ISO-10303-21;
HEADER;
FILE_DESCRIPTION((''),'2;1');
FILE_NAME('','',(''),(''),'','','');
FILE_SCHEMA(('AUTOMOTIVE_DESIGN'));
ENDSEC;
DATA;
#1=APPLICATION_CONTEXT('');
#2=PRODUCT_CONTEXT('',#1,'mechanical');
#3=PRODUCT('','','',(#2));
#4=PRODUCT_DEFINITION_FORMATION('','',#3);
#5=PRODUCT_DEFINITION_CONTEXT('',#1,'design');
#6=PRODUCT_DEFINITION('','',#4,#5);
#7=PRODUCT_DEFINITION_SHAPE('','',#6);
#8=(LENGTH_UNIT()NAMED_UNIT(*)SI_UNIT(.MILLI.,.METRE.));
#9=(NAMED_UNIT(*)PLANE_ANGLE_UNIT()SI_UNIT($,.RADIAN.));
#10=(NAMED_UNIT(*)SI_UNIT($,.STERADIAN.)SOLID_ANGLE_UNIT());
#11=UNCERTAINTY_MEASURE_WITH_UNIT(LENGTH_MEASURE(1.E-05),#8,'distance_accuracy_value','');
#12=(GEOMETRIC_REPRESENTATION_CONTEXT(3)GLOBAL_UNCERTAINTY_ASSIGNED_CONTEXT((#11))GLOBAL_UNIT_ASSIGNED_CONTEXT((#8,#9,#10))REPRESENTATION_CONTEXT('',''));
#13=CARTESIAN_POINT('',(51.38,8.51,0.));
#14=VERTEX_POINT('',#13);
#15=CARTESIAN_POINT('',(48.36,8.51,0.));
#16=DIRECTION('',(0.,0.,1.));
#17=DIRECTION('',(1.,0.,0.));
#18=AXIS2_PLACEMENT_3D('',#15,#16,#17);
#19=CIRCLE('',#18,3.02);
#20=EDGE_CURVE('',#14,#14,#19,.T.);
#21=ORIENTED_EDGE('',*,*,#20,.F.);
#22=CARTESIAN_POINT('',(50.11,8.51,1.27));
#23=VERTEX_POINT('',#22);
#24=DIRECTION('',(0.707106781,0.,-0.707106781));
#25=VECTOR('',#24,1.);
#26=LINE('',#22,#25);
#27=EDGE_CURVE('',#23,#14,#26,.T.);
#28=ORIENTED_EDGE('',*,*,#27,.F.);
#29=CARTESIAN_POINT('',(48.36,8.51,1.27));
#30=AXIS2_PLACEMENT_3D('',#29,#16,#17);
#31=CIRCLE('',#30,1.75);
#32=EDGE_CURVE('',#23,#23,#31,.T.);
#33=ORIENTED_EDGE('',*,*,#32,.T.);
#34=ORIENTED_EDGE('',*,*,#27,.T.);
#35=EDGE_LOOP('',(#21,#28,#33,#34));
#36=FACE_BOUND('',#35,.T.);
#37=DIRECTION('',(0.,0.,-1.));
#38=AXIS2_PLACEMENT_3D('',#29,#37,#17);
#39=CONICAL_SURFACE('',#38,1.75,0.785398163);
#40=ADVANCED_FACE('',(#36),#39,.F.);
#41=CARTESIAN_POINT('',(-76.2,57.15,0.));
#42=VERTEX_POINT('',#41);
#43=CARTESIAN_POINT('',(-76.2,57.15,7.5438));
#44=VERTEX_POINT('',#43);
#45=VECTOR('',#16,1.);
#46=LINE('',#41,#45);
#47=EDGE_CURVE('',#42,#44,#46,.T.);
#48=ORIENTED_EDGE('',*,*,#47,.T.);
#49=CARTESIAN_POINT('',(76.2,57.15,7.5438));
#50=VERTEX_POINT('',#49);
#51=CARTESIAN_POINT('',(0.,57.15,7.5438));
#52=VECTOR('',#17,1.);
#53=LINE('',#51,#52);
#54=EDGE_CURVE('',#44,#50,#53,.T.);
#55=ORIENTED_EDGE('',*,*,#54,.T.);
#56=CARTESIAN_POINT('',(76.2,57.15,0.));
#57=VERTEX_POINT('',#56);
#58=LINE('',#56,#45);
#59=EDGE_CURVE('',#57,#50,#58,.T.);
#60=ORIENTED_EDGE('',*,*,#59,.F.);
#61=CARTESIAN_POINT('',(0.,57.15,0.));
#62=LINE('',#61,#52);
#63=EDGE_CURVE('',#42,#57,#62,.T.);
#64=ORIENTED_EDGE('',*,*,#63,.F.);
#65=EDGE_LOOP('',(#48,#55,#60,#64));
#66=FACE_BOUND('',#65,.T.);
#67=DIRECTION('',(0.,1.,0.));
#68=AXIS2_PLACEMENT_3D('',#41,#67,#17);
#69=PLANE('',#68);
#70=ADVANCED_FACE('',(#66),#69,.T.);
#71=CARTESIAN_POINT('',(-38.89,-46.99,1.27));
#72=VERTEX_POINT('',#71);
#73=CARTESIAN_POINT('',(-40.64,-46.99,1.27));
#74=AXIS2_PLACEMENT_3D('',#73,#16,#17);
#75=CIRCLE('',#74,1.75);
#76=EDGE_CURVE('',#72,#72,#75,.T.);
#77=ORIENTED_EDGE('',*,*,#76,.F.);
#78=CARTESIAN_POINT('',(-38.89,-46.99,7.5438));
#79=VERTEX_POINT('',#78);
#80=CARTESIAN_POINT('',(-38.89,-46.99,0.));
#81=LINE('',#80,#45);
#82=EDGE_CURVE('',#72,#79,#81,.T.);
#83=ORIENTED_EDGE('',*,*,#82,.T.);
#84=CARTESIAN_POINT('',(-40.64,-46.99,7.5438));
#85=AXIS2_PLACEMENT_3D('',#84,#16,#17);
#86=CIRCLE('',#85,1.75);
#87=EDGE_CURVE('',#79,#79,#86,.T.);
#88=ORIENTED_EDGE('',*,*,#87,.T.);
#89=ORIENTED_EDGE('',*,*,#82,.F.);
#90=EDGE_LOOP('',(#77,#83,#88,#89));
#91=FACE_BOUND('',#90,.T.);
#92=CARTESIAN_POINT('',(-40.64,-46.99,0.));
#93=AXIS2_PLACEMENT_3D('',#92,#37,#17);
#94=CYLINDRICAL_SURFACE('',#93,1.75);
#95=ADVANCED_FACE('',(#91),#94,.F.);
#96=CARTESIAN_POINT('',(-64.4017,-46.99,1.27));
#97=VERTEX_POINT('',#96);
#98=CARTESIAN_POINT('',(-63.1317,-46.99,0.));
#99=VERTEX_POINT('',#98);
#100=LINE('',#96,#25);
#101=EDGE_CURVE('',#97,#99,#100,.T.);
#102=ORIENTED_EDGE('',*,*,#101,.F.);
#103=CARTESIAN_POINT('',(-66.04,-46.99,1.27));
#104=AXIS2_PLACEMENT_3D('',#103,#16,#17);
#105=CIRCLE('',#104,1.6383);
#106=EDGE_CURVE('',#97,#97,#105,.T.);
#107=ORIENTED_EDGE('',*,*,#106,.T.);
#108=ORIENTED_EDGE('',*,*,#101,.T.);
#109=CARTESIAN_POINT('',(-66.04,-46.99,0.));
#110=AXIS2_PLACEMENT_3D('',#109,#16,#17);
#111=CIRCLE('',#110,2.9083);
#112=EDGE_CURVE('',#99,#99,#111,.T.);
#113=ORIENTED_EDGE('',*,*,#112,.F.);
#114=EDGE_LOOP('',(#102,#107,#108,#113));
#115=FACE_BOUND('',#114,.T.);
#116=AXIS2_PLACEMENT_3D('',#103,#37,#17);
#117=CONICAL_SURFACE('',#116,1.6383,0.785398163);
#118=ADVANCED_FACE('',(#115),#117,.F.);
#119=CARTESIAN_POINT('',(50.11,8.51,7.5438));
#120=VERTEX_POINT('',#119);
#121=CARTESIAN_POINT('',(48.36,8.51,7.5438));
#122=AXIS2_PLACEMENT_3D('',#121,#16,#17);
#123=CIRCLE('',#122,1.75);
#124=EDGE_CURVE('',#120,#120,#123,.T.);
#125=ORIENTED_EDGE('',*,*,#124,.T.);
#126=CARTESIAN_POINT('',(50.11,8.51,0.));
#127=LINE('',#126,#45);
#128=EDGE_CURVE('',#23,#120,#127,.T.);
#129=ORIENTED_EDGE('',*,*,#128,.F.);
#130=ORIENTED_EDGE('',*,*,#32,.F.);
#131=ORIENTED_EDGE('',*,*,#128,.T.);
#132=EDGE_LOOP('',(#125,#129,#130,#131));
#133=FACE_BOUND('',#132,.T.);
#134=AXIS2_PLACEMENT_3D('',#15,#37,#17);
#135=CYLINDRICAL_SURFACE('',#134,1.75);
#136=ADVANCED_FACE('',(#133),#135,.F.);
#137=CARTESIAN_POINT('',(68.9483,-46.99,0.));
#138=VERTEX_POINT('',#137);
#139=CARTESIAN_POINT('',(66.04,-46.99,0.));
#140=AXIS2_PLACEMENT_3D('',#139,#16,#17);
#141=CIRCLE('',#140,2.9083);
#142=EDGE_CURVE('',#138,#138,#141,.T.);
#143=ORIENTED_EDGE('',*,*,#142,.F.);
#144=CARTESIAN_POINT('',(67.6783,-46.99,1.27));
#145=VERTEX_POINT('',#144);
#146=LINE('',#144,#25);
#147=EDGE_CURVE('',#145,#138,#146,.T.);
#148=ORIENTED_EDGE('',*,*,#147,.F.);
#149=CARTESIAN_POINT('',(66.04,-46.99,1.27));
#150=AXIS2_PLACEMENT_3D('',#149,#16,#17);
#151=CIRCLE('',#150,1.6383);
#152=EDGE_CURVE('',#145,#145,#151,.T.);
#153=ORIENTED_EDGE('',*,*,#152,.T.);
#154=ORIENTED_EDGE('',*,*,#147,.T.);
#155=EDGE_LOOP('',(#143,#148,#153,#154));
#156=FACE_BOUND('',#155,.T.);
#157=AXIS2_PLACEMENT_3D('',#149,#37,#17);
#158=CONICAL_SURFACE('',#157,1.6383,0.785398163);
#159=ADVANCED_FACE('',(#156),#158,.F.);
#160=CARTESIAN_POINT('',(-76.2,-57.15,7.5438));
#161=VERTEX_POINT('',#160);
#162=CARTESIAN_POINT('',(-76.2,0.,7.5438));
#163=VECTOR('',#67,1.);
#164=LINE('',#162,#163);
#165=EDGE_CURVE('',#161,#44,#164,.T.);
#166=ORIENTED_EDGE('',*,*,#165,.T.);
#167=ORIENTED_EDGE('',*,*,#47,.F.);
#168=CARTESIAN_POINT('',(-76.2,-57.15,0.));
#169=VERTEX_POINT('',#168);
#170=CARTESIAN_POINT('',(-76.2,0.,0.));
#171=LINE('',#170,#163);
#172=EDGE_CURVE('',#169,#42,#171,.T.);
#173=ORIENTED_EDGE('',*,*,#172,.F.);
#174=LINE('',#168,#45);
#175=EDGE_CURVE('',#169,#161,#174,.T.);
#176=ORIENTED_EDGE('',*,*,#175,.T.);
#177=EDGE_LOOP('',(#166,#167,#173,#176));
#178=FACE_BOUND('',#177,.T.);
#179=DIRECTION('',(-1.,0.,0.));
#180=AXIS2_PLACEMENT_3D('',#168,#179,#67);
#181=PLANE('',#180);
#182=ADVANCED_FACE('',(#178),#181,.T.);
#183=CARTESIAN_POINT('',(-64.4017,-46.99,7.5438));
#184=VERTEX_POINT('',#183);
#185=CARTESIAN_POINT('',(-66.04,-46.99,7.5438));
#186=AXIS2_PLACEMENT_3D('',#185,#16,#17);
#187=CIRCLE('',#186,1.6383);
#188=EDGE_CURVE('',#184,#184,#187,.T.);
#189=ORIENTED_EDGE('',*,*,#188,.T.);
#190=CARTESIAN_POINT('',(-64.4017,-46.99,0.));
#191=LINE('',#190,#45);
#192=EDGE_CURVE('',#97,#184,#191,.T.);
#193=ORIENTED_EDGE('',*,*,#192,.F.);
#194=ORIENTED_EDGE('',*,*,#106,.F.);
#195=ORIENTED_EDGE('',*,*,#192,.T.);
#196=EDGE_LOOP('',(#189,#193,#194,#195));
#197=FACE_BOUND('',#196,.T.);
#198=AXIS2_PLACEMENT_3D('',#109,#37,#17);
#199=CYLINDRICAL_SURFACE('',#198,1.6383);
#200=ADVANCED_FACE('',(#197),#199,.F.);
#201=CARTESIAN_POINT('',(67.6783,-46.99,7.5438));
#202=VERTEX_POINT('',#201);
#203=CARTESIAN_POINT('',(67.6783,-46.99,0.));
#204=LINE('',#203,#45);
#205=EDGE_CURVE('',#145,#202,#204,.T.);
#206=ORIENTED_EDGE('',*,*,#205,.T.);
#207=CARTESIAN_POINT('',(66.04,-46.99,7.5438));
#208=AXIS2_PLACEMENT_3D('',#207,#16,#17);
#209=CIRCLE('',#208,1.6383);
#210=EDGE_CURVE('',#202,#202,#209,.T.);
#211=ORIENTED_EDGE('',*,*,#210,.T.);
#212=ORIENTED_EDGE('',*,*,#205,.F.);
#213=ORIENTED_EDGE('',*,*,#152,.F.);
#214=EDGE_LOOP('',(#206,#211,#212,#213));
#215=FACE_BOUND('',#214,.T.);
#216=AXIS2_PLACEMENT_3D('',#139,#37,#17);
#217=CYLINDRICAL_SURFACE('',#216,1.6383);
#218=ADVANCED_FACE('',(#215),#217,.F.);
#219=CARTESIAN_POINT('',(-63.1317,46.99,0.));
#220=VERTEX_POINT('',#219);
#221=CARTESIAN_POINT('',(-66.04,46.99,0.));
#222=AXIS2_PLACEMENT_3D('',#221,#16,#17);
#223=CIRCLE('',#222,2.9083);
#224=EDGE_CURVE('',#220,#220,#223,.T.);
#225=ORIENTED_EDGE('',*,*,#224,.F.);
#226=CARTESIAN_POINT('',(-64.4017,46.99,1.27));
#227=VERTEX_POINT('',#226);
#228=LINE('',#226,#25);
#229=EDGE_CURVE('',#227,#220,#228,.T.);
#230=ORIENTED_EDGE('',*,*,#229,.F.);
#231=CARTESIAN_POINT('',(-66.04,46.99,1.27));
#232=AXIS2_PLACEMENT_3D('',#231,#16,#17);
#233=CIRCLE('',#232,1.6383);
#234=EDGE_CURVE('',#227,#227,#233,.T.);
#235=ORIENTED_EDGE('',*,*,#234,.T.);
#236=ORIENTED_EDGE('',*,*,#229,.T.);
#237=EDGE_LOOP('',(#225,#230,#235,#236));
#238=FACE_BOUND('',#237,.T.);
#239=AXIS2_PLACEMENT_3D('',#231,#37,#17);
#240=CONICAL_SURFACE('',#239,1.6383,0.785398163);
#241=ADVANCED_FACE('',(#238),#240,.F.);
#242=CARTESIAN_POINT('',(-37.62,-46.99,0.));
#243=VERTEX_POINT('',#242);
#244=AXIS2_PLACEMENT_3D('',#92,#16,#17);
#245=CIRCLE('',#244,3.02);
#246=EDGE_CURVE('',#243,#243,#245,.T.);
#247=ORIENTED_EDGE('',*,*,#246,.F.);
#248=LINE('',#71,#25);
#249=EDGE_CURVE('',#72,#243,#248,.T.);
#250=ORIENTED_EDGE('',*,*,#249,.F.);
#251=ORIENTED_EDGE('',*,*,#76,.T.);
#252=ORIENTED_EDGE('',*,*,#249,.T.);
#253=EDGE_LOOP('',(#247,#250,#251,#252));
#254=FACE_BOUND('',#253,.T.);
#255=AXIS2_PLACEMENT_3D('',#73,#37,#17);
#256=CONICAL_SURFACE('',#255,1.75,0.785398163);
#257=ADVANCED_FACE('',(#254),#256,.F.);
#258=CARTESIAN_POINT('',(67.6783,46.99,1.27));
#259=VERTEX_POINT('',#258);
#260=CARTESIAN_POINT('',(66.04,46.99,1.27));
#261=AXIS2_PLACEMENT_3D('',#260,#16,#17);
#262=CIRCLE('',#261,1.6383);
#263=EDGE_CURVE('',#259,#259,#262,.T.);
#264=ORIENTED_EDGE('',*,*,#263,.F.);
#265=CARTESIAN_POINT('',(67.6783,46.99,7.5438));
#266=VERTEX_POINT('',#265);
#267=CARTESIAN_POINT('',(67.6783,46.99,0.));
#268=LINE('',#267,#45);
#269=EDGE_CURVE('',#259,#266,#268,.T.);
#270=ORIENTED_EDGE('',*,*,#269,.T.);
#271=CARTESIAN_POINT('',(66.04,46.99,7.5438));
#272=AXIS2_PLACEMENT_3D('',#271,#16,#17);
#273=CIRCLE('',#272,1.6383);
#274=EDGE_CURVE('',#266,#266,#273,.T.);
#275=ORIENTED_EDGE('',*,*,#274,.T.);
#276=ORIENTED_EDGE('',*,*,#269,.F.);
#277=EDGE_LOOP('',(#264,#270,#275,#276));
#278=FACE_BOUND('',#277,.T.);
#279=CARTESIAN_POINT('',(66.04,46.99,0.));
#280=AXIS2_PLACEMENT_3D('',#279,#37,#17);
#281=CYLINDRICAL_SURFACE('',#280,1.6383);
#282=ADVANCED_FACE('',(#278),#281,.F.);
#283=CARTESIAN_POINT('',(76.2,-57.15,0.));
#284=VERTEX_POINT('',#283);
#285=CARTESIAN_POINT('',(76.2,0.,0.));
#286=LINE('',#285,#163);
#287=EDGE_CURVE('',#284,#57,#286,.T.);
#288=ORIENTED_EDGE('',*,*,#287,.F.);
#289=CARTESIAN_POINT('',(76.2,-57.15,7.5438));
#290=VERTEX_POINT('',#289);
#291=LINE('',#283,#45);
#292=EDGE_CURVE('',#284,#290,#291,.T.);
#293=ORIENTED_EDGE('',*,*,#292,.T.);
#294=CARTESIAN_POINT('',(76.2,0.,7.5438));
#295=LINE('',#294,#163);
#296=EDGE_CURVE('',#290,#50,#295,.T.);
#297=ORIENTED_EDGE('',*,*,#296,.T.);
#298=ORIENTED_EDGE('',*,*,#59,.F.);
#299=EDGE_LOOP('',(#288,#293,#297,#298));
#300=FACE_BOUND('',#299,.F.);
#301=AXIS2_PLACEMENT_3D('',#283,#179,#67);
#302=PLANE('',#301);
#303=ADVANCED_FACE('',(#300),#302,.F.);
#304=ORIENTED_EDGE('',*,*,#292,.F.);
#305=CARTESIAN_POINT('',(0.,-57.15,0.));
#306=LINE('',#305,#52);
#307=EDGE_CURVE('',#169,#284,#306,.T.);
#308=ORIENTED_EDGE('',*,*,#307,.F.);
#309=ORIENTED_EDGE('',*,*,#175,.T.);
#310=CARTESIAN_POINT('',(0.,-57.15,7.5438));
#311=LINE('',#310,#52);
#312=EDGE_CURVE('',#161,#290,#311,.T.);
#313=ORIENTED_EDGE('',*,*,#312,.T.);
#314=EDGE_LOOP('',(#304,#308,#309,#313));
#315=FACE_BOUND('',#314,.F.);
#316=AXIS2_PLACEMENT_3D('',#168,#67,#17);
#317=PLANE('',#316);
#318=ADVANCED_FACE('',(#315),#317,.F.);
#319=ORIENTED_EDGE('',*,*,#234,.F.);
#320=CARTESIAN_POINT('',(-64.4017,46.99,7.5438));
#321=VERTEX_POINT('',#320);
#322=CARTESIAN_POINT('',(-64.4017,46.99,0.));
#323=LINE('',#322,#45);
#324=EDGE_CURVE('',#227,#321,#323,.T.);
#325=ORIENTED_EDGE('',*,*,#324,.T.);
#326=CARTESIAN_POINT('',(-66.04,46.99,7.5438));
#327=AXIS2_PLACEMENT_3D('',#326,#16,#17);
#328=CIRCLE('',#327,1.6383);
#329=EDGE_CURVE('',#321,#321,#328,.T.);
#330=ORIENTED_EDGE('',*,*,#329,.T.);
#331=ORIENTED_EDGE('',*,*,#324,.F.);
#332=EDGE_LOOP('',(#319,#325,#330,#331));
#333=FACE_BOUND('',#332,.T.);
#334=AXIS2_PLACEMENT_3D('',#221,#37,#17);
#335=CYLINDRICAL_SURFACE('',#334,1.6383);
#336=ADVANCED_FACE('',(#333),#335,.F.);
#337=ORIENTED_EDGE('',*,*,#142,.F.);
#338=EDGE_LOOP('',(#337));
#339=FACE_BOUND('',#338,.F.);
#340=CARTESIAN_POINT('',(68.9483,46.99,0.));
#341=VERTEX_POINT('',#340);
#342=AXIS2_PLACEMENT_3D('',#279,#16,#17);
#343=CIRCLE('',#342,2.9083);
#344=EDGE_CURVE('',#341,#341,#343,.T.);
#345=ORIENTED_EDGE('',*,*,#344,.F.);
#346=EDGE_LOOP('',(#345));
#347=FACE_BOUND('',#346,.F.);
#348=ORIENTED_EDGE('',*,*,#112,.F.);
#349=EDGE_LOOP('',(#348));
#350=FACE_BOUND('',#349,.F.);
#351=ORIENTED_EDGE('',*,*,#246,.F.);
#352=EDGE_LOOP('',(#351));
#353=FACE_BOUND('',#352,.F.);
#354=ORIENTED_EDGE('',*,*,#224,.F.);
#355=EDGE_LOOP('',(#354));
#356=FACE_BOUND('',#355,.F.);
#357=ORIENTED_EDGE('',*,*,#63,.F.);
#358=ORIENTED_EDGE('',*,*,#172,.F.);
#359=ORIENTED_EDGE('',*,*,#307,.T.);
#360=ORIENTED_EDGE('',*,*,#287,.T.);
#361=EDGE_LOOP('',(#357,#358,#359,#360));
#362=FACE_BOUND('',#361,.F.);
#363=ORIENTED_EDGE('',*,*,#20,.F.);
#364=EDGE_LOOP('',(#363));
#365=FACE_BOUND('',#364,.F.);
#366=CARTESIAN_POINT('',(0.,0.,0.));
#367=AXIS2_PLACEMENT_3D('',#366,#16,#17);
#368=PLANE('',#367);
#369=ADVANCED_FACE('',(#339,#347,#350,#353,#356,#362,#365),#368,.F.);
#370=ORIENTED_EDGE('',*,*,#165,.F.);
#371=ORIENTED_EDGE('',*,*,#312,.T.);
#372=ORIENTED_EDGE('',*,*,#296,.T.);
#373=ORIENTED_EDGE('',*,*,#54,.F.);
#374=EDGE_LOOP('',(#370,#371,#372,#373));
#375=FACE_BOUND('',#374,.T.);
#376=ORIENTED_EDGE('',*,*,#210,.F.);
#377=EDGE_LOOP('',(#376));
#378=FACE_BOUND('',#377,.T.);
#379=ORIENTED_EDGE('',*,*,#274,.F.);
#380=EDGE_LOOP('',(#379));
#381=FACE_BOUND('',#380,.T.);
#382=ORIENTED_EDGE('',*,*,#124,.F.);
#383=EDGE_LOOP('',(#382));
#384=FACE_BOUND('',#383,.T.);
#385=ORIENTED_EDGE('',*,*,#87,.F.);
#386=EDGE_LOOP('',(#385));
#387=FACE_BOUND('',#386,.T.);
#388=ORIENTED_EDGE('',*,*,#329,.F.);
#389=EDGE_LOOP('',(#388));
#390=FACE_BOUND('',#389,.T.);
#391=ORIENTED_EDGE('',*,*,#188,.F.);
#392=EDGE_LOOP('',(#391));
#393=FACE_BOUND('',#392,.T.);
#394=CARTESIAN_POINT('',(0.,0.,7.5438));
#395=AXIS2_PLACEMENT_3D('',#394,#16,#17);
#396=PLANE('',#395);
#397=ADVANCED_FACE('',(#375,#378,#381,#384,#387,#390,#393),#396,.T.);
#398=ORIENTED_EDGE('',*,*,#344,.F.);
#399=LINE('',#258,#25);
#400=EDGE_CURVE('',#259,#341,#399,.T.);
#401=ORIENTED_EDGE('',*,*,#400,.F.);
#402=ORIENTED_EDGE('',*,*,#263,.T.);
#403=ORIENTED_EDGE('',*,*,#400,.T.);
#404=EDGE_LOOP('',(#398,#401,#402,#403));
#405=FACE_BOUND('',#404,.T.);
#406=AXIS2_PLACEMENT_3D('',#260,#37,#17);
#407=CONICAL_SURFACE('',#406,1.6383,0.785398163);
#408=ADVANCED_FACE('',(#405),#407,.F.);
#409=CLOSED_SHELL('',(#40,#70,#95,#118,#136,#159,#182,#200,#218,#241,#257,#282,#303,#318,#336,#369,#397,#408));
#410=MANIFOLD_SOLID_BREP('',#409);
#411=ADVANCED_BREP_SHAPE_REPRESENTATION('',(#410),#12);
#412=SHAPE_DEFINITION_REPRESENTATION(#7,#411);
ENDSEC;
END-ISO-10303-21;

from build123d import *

# Parameters (mm, degrees)
F0_W     = 152.4
F0_H     = 114.3
F0_R     = 1.6383
F0_R_2   = 1.75
F1_DEPTH = 7.5438
F2_SIZE  = 1.27


with BuildPart() as f1:
    # F0 (on Top) → F1 (new body)
    with BuildSketch(Plane.XY):
        Rectangle(F0_W, F0_H)
        with Locations((-66.04, -46.99)):
            Circle(F0_R, mode=Mode.SUBTRACT)
        with Locations((-40.64, -46.99)):
            Circle(F0_R_2, mode=Mode.SUBTRACT)
        with Locations((66.04, -46.99)):
            Circle(F0_R, mode=Mode.SUBTRACT)
        with Locations((-66.04, 46.99)):
            Circle(F0_R, mode=Mode.SUBTRACT)
        with Locations((48.36, 8.51)):
            Circle(F0_R_2, mode=Mode.SUBTRACT)
        with Locations((66.04, 46.99)):
            Circle(F0_R, mode=Mode.SUBTRACT)
    extrude(amount=F1_DEPTH)

    # F2
    f2_edges = [f1.edges().sort_by_distance(p)[0] for p in [
        (-67.6783, -46.99, 0),
        (-42.39, -46.99, 0),
        (46.61, 8.51, 0),
        (64.4017, 46.99, 0),
        (64.4017, -46.99, 0),
        (-67.6783, 46.99, 0),
    ]]
    chamfer(f2_edges, length=F2_SIZE)


solid = f1.part
